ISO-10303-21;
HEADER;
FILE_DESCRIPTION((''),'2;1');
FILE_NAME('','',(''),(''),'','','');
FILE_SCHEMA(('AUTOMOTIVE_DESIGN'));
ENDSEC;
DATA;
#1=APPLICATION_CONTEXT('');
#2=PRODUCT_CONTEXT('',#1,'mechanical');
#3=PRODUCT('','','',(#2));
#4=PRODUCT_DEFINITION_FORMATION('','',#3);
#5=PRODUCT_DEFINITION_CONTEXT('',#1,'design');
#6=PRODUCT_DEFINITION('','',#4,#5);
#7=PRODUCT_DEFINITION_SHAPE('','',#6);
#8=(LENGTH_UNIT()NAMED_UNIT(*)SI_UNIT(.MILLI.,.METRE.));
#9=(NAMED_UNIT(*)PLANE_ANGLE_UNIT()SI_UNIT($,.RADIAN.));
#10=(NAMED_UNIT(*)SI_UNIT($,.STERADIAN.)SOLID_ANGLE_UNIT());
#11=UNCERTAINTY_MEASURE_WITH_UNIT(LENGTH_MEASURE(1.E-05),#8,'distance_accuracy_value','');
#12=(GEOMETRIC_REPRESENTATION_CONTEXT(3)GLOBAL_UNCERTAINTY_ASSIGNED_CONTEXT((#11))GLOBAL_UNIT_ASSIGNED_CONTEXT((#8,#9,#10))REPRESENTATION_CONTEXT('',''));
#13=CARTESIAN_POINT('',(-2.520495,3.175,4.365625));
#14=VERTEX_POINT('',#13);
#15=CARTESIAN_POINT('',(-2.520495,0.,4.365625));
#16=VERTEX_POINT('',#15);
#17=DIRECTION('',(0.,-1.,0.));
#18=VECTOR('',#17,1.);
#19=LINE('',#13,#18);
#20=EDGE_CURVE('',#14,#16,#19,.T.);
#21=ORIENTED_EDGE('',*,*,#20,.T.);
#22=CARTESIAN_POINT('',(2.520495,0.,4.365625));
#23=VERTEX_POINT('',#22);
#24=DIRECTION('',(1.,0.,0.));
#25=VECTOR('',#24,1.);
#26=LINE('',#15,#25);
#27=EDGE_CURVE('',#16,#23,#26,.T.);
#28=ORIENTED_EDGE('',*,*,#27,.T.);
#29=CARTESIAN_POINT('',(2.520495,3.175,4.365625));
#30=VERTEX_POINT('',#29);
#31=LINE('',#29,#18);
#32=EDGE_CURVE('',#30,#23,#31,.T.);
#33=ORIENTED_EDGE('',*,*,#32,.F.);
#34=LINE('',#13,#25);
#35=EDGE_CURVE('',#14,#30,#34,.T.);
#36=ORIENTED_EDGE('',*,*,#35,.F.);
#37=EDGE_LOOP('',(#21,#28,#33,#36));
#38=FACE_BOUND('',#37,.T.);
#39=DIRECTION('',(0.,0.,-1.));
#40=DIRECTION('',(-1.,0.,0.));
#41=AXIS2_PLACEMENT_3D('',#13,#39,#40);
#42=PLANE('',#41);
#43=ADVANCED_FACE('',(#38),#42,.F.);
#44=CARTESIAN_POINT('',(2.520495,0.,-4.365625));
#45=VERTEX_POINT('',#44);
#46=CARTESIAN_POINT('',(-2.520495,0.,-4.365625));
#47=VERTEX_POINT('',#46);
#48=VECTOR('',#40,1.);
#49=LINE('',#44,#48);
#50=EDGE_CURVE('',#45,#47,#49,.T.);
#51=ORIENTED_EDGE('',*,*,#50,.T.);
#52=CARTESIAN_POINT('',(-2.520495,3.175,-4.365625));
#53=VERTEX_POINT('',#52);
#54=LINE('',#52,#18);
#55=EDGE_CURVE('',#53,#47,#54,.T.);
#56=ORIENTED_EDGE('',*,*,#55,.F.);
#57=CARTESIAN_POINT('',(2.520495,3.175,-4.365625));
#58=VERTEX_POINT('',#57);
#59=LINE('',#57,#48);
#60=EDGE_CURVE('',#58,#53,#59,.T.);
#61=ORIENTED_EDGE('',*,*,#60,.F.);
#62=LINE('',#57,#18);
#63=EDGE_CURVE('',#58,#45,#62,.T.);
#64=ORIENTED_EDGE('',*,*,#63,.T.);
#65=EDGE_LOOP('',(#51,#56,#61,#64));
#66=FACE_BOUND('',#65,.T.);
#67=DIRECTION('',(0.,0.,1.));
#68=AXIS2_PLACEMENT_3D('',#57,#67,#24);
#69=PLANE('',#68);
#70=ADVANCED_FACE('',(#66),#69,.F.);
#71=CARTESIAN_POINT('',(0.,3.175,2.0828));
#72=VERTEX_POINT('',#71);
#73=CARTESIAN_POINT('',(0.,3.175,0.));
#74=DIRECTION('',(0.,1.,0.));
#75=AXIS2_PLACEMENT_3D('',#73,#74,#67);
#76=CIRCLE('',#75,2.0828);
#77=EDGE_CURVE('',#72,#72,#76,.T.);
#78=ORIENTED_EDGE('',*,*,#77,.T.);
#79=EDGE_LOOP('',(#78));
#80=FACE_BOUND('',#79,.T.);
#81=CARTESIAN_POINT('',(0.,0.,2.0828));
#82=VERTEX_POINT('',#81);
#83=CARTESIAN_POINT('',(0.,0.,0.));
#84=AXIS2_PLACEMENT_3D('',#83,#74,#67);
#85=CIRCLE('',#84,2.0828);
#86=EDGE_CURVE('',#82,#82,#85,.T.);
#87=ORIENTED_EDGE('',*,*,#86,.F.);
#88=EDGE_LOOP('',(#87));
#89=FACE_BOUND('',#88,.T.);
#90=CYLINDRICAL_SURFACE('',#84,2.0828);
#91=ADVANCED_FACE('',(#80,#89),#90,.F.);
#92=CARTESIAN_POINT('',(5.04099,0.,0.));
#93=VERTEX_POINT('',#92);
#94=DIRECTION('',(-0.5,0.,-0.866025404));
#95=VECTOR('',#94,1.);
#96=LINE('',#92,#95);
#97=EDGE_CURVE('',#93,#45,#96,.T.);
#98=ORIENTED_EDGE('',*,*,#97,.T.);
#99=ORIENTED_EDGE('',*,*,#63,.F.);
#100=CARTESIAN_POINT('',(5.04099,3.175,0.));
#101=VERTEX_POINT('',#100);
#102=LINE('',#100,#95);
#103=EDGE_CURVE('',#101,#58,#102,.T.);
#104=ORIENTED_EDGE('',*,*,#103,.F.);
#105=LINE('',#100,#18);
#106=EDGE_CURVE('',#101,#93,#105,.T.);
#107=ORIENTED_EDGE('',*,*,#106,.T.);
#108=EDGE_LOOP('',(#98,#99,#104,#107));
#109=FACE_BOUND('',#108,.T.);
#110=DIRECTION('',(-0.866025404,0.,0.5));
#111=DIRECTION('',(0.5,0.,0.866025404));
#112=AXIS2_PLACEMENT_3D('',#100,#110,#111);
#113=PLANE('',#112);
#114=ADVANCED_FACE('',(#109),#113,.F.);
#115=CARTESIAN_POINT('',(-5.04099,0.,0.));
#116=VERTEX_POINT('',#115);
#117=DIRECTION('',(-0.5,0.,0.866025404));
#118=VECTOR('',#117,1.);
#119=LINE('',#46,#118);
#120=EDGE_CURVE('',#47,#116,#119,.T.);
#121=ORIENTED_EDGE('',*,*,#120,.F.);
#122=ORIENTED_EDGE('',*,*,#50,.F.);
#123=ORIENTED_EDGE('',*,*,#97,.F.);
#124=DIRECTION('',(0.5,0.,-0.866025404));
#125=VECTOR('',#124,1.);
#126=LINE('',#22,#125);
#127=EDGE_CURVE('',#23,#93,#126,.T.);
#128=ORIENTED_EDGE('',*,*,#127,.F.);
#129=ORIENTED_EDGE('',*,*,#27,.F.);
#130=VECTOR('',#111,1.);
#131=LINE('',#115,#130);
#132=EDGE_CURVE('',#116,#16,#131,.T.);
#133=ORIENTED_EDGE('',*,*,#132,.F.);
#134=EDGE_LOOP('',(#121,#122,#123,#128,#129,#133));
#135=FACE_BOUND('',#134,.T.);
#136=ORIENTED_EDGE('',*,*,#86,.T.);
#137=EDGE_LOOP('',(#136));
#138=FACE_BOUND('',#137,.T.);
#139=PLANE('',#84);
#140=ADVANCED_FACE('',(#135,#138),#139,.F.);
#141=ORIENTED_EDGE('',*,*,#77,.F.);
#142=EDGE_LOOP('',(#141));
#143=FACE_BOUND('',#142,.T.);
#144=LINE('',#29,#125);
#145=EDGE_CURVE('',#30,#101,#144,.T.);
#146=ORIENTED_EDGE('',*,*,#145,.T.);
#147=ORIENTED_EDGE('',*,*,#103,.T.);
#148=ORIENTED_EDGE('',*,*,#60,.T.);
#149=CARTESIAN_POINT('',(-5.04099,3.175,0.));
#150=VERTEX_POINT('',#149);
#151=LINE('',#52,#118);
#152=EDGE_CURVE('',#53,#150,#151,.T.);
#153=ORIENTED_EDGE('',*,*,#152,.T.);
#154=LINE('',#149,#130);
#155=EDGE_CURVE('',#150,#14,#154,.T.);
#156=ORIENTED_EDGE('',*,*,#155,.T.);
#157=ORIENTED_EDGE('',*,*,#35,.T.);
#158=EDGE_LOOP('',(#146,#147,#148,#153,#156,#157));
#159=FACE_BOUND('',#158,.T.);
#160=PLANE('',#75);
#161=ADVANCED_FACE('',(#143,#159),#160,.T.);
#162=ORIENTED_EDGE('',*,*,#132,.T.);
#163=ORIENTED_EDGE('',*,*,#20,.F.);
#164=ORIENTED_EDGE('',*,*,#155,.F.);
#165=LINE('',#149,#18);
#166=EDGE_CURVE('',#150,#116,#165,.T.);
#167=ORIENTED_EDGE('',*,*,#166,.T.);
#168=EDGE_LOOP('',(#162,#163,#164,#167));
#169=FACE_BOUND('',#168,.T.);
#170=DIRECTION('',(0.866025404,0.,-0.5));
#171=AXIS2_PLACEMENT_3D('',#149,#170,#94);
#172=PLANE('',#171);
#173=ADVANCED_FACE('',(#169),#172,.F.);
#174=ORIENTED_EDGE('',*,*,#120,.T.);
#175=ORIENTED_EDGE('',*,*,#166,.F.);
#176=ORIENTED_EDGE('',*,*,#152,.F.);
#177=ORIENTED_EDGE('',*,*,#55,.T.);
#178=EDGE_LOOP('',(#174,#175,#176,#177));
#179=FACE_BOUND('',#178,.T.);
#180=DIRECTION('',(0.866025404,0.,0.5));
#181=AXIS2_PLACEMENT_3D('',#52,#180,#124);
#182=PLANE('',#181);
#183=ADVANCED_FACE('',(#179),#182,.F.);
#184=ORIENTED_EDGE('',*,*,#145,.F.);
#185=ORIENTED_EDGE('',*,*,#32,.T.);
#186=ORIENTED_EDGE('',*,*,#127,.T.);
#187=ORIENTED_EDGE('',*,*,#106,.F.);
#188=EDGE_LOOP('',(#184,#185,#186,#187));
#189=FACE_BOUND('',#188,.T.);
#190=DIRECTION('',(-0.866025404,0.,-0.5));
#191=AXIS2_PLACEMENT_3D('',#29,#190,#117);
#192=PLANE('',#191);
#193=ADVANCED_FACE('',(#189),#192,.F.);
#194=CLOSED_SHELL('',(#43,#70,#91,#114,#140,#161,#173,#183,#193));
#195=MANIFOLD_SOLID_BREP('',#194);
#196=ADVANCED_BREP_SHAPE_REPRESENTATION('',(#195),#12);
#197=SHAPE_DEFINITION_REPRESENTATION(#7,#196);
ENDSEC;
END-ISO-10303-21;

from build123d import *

# Parameters (mm, degrees)
BOSS_EXTRU_1_DEPTH      = 3.175
ESQUISSE2_R             = 2.0828
ENL_V_MAT_EXTRU_1_DEPTH = 8.385856901


with BuildPart() as part:
    # Esquisse1 → Boss.-Extru.1 (new body)
    with BuildSketch(Plane(origin=(0, 0, 0), x_dir=(1, 0, 0), z_dir=(0, 1, 0))):
        Polygon((2.520494769, 4.365625), (-2.520494769, 4.365625), (-5.040989538, 0), (-2.520494769, -4.365625), (2.520494769, -4.365625), (5.040989538, 0), align=None)
    extrude(amount=BOSS_EXTRU_1_DEPTH)

    # Esquisse2 → Enlèv. mat.-Extru.1 (cut, through all)
    with BuildSketch(Plane(origin=(0, 3.175, 0), x_dir=(1, 0, 0), z_dir=(0, 1, 0))):
        with Locations(Location((0, 0, 0), (0, 0, 270))):
            Circle(ESQUISSE2_R)
    extrude(amount=-ENL_V_MAT_EXTRU_1_DEPTH, mode=Mode.SUBTRACT)


solid = part.part
